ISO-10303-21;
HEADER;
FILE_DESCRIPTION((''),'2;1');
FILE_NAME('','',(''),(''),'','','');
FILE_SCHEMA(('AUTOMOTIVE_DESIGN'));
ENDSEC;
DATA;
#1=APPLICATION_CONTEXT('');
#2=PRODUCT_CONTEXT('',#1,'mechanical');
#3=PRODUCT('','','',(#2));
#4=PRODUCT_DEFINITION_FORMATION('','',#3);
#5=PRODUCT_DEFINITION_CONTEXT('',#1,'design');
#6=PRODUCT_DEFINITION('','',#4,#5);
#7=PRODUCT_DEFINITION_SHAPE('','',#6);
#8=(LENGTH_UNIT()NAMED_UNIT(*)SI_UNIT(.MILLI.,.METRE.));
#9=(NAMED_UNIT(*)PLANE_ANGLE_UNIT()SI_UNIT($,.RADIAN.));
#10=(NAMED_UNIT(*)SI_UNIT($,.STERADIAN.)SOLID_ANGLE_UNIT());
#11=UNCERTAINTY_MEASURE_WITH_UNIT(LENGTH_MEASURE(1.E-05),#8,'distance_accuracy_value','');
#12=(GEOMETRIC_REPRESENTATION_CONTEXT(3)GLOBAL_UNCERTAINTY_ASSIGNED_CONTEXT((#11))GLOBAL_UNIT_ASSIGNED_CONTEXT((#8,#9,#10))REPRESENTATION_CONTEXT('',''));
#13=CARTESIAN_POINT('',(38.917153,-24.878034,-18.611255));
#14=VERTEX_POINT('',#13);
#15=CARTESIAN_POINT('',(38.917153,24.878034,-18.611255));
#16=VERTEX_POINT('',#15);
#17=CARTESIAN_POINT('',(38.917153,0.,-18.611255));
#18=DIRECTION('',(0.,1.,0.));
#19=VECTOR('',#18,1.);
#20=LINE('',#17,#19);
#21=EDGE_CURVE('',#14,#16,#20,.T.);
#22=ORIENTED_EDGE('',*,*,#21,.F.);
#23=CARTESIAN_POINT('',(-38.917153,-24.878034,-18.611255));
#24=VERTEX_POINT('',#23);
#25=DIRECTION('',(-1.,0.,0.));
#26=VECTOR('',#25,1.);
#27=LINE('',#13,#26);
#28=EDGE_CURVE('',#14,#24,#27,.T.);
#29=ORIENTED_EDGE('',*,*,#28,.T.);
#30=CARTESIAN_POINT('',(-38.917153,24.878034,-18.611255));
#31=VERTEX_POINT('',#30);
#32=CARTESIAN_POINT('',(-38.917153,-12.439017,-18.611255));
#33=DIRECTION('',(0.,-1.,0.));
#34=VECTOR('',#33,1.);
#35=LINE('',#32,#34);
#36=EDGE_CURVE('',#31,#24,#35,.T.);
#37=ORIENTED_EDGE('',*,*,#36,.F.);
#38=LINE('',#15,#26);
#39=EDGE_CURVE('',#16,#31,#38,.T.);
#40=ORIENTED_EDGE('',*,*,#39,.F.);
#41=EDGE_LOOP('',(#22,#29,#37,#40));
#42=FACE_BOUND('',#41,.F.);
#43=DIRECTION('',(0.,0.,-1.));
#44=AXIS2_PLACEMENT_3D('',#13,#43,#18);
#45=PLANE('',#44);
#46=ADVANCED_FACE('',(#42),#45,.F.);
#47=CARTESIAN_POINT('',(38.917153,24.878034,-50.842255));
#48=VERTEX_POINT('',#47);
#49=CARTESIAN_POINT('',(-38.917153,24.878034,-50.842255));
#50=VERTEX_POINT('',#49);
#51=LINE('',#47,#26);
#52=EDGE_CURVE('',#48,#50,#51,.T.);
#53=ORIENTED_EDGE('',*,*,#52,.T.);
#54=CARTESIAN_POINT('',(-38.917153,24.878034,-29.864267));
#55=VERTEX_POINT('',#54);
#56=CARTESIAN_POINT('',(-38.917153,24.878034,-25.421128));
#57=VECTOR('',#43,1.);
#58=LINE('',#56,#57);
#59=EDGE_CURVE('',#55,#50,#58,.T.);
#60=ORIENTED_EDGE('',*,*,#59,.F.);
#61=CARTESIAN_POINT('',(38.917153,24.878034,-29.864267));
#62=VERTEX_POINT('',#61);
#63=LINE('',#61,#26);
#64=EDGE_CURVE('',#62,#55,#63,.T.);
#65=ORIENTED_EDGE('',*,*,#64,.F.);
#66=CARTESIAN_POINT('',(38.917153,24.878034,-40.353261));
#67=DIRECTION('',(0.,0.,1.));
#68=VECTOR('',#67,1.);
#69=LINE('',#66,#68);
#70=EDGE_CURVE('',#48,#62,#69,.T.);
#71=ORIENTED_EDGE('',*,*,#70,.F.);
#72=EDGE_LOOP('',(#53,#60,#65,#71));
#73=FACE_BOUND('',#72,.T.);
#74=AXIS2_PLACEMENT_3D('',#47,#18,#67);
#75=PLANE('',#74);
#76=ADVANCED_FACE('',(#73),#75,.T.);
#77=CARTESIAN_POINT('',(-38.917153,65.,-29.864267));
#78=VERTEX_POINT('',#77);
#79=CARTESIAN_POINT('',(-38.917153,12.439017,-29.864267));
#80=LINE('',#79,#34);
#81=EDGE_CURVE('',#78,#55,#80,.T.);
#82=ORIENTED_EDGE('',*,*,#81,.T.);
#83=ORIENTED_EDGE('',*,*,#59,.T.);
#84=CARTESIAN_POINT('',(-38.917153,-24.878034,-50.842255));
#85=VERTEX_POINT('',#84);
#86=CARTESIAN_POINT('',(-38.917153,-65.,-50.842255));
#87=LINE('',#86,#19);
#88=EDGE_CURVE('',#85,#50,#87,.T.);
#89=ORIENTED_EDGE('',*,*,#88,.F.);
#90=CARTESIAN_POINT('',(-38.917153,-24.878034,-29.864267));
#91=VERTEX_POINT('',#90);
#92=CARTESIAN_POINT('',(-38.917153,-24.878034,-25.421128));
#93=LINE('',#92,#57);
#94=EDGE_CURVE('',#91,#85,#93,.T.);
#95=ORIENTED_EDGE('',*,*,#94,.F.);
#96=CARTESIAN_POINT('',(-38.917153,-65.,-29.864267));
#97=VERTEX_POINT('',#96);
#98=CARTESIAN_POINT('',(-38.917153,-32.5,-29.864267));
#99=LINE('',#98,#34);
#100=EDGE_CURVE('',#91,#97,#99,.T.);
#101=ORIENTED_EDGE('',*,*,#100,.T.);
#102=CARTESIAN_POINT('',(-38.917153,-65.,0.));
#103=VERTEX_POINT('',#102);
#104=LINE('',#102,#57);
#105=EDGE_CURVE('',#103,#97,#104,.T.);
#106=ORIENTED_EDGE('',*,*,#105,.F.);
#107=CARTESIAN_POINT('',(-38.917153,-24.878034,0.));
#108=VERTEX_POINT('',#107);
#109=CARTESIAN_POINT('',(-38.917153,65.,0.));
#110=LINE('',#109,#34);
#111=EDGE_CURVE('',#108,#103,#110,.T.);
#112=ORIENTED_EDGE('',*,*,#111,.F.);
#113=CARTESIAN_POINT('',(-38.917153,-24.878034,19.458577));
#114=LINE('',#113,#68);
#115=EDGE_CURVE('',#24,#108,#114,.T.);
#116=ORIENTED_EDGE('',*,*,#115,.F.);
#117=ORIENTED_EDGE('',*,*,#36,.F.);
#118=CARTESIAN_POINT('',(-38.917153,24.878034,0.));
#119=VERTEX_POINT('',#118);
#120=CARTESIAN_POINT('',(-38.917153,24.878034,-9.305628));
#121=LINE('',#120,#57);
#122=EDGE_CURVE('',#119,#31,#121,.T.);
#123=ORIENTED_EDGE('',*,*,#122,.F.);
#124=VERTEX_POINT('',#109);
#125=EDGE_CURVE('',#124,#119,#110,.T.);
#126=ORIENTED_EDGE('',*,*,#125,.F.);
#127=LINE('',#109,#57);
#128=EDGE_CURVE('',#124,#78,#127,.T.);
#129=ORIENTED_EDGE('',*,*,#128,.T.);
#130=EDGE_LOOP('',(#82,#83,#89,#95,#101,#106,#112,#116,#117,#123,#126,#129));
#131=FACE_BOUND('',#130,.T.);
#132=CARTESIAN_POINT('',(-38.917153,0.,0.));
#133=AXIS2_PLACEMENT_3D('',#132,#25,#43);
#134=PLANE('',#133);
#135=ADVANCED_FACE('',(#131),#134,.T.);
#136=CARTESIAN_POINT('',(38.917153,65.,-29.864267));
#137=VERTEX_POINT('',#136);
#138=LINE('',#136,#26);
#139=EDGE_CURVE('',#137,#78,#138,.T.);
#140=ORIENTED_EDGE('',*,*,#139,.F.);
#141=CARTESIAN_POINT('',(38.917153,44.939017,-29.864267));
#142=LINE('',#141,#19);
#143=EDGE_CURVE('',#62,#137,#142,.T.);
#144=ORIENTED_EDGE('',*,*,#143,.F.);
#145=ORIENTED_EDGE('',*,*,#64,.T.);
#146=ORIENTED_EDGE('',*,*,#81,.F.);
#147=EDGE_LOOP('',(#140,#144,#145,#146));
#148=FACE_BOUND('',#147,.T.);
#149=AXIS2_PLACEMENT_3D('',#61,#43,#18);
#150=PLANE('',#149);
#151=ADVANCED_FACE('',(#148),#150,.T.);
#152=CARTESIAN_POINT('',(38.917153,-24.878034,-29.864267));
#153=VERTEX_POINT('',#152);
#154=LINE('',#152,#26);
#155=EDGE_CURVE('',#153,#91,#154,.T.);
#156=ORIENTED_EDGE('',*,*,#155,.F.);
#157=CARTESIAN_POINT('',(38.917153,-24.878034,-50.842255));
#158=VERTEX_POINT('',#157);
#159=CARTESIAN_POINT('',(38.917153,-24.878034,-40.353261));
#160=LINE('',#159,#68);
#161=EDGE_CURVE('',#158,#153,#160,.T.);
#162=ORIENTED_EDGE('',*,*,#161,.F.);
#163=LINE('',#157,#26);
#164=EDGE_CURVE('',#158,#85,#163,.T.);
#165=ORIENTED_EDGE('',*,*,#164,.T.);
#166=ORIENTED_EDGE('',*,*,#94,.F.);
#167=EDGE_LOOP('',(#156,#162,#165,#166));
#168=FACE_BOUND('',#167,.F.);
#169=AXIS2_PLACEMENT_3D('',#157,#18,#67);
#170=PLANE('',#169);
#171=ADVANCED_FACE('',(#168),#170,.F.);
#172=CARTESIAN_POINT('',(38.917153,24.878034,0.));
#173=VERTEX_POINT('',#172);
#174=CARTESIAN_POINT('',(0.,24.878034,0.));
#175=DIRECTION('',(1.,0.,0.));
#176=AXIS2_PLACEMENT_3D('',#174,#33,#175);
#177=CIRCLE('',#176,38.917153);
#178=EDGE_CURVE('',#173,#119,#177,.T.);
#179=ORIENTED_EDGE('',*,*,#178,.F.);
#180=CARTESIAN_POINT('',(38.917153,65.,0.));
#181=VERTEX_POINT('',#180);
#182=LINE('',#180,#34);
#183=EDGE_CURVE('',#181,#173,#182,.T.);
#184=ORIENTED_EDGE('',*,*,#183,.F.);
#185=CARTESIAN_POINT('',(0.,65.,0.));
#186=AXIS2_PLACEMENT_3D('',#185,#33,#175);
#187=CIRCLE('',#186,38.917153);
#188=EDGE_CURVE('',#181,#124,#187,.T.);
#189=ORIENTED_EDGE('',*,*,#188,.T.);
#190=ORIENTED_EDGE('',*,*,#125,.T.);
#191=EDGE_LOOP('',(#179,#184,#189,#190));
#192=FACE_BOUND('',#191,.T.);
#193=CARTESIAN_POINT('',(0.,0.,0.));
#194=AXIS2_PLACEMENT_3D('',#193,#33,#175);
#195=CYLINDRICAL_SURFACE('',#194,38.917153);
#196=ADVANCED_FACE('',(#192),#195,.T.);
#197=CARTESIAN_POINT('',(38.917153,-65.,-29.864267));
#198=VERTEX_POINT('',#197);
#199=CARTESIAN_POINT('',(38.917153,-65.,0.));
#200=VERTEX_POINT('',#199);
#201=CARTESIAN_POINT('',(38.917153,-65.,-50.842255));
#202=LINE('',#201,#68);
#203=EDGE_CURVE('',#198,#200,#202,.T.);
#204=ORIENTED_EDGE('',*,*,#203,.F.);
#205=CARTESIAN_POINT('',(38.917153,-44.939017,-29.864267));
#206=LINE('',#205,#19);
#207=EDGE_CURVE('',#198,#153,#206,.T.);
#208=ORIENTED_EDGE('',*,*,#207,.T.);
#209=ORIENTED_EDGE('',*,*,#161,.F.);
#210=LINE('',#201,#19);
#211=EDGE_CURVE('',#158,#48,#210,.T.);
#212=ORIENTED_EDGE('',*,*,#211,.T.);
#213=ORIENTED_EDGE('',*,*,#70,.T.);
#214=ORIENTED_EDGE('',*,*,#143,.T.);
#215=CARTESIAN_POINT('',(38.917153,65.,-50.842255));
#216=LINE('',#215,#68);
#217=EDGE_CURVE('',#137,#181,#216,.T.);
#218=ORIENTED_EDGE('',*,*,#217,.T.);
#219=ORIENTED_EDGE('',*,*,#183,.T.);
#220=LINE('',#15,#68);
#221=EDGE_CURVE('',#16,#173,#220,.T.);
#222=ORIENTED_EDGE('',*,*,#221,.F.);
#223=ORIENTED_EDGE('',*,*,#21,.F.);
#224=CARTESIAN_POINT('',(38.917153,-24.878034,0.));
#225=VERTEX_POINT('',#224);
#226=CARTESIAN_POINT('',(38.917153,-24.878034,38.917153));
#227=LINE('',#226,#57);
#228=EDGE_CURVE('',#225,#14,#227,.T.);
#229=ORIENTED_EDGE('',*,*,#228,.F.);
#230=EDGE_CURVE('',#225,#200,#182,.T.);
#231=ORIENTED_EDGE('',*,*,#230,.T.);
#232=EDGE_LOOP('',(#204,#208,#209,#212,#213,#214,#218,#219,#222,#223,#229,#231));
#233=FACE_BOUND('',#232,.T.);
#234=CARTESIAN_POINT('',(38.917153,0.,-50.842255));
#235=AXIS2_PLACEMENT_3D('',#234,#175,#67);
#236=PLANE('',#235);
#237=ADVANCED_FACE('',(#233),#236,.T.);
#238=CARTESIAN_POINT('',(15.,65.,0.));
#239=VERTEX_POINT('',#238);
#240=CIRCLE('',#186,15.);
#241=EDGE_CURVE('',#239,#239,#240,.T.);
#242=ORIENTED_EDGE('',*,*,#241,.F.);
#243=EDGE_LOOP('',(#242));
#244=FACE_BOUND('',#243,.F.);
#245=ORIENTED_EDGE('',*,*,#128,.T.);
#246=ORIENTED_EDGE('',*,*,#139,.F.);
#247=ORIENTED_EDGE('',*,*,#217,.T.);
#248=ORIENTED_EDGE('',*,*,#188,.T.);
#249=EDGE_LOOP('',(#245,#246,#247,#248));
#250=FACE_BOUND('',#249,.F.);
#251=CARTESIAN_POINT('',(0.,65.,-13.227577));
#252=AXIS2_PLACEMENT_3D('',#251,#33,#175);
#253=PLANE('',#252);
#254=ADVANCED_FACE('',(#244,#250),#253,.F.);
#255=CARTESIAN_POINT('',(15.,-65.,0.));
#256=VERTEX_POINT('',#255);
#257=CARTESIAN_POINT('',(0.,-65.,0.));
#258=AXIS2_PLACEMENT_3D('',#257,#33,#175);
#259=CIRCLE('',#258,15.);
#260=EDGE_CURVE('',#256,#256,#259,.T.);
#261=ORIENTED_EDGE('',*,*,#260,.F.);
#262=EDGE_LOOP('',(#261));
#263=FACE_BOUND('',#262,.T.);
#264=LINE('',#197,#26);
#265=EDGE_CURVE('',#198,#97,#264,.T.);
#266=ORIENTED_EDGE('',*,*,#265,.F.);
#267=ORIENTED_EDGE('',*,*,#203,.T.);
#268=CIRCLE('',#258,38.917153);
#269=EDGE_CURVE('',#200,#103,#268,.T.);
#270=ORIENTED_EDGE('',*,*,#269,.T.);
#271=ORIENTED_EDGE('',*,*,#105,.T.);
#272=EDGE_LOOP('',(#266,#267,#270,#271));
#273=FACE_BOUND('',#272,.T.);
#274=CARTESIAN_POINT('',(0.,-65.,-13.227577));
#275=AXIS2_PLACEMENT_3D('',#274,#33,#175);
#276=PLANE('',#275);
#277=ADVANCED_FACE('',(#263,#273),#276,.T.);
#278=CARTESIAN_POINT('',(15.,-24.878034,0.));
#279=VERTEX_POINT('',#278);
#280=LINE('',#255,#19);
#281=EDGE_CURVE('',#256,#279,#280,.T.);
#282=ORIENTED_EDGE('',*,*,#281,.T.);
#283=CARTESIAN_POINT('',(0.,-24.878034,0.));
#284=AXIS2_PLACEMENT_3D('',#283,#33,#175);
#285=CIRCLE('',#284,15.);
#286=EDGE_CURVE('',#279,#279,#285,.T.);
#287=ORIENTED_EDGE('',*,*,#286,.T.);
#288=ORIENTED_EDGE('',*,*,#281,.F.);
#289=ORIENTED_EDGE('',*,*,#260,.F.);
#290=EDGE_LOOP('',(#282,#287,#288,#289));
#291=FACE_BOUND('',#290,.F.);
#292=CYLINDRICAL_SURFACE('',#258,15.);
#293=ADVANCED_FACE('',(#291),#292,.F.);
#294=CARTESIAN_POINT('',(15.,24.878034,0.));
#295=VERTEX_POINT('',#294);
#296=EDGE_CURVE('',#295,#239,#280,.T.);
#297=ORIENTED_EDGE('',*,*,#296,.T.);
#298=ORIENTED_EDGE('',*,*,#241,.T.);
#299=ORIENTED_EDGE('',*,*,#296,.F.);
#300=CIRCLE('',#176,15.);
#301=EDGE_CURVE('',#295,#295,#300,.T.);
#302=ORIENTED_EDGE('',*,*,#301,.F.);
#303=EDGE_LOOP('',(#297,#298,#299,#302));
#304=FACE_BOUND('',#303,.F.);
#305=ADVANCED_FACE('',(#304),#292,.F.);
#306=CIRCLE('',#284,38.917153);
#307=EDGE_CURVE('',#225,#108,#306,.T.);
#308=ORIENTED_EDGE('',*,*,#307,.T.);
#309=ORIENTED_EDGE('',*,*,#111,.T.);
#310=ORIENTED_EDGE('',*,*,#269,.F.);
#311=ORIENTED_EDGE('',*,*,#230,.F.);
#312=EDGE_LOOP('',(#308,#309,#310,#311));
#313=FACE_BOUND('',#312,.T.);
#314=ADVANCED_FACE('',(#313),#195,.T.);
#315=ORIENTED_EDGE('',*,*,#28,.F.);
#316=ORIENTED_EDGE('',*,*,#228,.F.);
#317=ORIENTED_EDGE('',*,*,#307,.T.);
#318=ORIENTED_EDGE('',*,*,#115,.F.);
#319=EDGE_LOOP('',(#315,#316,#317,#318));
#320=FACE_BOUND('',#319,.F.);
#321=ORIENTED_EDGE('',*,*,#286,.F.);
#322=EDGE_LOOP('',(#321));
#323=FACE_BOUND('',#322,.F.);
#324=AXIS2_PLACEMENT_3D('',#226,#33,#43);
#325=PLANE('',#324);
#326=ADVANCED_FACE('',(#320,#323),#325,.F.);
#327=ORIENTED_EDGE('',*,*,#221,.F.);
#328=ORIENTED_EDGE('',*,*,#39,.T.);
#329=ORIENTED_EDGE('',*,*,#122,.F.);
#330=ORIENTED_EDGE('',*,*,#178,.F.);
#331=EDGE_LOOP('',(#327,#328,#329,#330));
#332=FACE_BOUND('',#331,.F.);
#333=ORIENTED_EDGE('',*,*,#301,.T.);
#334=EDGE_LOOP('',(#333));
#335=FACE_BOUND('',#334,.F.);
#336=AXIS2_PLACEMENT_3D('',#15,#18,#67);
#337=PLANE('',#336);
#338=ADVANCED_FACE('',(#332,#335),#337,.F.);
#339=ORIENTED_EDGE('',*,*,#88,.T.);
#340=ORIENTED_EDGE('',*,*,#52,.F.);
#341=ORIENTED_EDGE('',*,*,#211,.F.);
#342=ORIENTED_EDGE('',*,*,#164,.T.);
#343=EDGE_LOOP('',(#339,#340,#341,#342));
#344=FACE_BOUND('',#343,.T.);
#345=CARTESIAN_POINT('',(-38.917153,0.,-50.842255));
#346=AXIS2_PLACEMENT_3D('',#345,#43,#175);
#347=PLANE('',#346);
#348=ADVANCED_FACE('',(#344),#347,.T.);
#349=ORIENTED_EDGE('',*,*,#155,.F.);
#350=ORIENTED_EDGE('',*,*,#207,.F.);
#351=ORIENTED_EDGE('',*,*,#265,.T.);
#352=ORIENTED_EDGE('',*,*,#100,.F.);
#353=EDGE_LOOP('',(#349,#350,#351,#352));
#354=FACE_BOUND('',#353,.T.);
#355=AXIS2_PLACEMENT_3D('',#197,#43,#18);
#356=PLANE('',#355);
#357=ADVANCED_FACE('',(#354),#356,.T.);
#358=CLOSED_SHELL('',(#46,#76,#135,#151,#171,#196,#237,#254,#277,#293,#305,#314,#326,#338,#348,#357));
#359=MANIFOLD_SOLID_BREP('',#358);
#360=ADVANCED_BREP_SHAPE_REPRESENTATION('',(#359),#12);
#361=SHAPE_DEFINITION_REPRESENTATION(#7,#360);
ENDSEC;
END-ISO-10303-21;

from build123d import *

# Parameters (mm, degrees)
F1_DEPTH = 65
F3_W     = 40.1219656318
F3_H     = 20.9779888391
F3_W_2   = 49.7560687363
F3_H_2   = 38.9171534163
F3_H_3   = 18.6112551019
F4_DEPTH = 77.8353068326
F5_R     = 15
F6_DEPTH = 130.001


with BuildPart() as f1:
    # F0 (on Front) → F1 (new body, symmetric)
    with BuildSketch(Plane.XZ):
        with BuildLine():
            Line((38.9171534163, -50.8422553539), (38.9171534163, 0))
            ThreePointArc((38.9171534163, 0), (0, 38.9171534163), (-38.9171534163, 0))
            Line((-38.9171534163, 0), (-38.9171534163, -50.8422553539))
            Line((-38.9171534163, -50.8422553539), (38.9171534163, -50.8422553539))
        make_face()
    extrude(amount=F1_DEPTH, both=True)

    # F3 (on face) → F4 (cut, through all)
    with BuildSketch(Plane.YZ.offset(38.9171534163)):
        with Locations((-44.9390171841, -40.3532609344)):
            Rectangle(F3_W, F3_H)
        with Locations((44.9390171841, -40.3532609344)):
            Rectangle(F3_W, F3_H)
        with Locations((0, 19.4585767082)):
            Rectangle(F3_W_2, F3_H_2)
        with Locations((0, -9.3056275509)):
            Rectangle(F3_W_2, F3_H_3)
    extrude(amount=-F4_DEPTH, mode=Mode.SUBTRACT)

    # F5 (on face) → F6 (cut, through all)
    with BuildSketch(Plane.XZ.offset(65)):
        Circle(F5_R)
    extrude(amount=-F6_DEPTH, mode=Mode.SUBTRACT)


solid = f1.part
